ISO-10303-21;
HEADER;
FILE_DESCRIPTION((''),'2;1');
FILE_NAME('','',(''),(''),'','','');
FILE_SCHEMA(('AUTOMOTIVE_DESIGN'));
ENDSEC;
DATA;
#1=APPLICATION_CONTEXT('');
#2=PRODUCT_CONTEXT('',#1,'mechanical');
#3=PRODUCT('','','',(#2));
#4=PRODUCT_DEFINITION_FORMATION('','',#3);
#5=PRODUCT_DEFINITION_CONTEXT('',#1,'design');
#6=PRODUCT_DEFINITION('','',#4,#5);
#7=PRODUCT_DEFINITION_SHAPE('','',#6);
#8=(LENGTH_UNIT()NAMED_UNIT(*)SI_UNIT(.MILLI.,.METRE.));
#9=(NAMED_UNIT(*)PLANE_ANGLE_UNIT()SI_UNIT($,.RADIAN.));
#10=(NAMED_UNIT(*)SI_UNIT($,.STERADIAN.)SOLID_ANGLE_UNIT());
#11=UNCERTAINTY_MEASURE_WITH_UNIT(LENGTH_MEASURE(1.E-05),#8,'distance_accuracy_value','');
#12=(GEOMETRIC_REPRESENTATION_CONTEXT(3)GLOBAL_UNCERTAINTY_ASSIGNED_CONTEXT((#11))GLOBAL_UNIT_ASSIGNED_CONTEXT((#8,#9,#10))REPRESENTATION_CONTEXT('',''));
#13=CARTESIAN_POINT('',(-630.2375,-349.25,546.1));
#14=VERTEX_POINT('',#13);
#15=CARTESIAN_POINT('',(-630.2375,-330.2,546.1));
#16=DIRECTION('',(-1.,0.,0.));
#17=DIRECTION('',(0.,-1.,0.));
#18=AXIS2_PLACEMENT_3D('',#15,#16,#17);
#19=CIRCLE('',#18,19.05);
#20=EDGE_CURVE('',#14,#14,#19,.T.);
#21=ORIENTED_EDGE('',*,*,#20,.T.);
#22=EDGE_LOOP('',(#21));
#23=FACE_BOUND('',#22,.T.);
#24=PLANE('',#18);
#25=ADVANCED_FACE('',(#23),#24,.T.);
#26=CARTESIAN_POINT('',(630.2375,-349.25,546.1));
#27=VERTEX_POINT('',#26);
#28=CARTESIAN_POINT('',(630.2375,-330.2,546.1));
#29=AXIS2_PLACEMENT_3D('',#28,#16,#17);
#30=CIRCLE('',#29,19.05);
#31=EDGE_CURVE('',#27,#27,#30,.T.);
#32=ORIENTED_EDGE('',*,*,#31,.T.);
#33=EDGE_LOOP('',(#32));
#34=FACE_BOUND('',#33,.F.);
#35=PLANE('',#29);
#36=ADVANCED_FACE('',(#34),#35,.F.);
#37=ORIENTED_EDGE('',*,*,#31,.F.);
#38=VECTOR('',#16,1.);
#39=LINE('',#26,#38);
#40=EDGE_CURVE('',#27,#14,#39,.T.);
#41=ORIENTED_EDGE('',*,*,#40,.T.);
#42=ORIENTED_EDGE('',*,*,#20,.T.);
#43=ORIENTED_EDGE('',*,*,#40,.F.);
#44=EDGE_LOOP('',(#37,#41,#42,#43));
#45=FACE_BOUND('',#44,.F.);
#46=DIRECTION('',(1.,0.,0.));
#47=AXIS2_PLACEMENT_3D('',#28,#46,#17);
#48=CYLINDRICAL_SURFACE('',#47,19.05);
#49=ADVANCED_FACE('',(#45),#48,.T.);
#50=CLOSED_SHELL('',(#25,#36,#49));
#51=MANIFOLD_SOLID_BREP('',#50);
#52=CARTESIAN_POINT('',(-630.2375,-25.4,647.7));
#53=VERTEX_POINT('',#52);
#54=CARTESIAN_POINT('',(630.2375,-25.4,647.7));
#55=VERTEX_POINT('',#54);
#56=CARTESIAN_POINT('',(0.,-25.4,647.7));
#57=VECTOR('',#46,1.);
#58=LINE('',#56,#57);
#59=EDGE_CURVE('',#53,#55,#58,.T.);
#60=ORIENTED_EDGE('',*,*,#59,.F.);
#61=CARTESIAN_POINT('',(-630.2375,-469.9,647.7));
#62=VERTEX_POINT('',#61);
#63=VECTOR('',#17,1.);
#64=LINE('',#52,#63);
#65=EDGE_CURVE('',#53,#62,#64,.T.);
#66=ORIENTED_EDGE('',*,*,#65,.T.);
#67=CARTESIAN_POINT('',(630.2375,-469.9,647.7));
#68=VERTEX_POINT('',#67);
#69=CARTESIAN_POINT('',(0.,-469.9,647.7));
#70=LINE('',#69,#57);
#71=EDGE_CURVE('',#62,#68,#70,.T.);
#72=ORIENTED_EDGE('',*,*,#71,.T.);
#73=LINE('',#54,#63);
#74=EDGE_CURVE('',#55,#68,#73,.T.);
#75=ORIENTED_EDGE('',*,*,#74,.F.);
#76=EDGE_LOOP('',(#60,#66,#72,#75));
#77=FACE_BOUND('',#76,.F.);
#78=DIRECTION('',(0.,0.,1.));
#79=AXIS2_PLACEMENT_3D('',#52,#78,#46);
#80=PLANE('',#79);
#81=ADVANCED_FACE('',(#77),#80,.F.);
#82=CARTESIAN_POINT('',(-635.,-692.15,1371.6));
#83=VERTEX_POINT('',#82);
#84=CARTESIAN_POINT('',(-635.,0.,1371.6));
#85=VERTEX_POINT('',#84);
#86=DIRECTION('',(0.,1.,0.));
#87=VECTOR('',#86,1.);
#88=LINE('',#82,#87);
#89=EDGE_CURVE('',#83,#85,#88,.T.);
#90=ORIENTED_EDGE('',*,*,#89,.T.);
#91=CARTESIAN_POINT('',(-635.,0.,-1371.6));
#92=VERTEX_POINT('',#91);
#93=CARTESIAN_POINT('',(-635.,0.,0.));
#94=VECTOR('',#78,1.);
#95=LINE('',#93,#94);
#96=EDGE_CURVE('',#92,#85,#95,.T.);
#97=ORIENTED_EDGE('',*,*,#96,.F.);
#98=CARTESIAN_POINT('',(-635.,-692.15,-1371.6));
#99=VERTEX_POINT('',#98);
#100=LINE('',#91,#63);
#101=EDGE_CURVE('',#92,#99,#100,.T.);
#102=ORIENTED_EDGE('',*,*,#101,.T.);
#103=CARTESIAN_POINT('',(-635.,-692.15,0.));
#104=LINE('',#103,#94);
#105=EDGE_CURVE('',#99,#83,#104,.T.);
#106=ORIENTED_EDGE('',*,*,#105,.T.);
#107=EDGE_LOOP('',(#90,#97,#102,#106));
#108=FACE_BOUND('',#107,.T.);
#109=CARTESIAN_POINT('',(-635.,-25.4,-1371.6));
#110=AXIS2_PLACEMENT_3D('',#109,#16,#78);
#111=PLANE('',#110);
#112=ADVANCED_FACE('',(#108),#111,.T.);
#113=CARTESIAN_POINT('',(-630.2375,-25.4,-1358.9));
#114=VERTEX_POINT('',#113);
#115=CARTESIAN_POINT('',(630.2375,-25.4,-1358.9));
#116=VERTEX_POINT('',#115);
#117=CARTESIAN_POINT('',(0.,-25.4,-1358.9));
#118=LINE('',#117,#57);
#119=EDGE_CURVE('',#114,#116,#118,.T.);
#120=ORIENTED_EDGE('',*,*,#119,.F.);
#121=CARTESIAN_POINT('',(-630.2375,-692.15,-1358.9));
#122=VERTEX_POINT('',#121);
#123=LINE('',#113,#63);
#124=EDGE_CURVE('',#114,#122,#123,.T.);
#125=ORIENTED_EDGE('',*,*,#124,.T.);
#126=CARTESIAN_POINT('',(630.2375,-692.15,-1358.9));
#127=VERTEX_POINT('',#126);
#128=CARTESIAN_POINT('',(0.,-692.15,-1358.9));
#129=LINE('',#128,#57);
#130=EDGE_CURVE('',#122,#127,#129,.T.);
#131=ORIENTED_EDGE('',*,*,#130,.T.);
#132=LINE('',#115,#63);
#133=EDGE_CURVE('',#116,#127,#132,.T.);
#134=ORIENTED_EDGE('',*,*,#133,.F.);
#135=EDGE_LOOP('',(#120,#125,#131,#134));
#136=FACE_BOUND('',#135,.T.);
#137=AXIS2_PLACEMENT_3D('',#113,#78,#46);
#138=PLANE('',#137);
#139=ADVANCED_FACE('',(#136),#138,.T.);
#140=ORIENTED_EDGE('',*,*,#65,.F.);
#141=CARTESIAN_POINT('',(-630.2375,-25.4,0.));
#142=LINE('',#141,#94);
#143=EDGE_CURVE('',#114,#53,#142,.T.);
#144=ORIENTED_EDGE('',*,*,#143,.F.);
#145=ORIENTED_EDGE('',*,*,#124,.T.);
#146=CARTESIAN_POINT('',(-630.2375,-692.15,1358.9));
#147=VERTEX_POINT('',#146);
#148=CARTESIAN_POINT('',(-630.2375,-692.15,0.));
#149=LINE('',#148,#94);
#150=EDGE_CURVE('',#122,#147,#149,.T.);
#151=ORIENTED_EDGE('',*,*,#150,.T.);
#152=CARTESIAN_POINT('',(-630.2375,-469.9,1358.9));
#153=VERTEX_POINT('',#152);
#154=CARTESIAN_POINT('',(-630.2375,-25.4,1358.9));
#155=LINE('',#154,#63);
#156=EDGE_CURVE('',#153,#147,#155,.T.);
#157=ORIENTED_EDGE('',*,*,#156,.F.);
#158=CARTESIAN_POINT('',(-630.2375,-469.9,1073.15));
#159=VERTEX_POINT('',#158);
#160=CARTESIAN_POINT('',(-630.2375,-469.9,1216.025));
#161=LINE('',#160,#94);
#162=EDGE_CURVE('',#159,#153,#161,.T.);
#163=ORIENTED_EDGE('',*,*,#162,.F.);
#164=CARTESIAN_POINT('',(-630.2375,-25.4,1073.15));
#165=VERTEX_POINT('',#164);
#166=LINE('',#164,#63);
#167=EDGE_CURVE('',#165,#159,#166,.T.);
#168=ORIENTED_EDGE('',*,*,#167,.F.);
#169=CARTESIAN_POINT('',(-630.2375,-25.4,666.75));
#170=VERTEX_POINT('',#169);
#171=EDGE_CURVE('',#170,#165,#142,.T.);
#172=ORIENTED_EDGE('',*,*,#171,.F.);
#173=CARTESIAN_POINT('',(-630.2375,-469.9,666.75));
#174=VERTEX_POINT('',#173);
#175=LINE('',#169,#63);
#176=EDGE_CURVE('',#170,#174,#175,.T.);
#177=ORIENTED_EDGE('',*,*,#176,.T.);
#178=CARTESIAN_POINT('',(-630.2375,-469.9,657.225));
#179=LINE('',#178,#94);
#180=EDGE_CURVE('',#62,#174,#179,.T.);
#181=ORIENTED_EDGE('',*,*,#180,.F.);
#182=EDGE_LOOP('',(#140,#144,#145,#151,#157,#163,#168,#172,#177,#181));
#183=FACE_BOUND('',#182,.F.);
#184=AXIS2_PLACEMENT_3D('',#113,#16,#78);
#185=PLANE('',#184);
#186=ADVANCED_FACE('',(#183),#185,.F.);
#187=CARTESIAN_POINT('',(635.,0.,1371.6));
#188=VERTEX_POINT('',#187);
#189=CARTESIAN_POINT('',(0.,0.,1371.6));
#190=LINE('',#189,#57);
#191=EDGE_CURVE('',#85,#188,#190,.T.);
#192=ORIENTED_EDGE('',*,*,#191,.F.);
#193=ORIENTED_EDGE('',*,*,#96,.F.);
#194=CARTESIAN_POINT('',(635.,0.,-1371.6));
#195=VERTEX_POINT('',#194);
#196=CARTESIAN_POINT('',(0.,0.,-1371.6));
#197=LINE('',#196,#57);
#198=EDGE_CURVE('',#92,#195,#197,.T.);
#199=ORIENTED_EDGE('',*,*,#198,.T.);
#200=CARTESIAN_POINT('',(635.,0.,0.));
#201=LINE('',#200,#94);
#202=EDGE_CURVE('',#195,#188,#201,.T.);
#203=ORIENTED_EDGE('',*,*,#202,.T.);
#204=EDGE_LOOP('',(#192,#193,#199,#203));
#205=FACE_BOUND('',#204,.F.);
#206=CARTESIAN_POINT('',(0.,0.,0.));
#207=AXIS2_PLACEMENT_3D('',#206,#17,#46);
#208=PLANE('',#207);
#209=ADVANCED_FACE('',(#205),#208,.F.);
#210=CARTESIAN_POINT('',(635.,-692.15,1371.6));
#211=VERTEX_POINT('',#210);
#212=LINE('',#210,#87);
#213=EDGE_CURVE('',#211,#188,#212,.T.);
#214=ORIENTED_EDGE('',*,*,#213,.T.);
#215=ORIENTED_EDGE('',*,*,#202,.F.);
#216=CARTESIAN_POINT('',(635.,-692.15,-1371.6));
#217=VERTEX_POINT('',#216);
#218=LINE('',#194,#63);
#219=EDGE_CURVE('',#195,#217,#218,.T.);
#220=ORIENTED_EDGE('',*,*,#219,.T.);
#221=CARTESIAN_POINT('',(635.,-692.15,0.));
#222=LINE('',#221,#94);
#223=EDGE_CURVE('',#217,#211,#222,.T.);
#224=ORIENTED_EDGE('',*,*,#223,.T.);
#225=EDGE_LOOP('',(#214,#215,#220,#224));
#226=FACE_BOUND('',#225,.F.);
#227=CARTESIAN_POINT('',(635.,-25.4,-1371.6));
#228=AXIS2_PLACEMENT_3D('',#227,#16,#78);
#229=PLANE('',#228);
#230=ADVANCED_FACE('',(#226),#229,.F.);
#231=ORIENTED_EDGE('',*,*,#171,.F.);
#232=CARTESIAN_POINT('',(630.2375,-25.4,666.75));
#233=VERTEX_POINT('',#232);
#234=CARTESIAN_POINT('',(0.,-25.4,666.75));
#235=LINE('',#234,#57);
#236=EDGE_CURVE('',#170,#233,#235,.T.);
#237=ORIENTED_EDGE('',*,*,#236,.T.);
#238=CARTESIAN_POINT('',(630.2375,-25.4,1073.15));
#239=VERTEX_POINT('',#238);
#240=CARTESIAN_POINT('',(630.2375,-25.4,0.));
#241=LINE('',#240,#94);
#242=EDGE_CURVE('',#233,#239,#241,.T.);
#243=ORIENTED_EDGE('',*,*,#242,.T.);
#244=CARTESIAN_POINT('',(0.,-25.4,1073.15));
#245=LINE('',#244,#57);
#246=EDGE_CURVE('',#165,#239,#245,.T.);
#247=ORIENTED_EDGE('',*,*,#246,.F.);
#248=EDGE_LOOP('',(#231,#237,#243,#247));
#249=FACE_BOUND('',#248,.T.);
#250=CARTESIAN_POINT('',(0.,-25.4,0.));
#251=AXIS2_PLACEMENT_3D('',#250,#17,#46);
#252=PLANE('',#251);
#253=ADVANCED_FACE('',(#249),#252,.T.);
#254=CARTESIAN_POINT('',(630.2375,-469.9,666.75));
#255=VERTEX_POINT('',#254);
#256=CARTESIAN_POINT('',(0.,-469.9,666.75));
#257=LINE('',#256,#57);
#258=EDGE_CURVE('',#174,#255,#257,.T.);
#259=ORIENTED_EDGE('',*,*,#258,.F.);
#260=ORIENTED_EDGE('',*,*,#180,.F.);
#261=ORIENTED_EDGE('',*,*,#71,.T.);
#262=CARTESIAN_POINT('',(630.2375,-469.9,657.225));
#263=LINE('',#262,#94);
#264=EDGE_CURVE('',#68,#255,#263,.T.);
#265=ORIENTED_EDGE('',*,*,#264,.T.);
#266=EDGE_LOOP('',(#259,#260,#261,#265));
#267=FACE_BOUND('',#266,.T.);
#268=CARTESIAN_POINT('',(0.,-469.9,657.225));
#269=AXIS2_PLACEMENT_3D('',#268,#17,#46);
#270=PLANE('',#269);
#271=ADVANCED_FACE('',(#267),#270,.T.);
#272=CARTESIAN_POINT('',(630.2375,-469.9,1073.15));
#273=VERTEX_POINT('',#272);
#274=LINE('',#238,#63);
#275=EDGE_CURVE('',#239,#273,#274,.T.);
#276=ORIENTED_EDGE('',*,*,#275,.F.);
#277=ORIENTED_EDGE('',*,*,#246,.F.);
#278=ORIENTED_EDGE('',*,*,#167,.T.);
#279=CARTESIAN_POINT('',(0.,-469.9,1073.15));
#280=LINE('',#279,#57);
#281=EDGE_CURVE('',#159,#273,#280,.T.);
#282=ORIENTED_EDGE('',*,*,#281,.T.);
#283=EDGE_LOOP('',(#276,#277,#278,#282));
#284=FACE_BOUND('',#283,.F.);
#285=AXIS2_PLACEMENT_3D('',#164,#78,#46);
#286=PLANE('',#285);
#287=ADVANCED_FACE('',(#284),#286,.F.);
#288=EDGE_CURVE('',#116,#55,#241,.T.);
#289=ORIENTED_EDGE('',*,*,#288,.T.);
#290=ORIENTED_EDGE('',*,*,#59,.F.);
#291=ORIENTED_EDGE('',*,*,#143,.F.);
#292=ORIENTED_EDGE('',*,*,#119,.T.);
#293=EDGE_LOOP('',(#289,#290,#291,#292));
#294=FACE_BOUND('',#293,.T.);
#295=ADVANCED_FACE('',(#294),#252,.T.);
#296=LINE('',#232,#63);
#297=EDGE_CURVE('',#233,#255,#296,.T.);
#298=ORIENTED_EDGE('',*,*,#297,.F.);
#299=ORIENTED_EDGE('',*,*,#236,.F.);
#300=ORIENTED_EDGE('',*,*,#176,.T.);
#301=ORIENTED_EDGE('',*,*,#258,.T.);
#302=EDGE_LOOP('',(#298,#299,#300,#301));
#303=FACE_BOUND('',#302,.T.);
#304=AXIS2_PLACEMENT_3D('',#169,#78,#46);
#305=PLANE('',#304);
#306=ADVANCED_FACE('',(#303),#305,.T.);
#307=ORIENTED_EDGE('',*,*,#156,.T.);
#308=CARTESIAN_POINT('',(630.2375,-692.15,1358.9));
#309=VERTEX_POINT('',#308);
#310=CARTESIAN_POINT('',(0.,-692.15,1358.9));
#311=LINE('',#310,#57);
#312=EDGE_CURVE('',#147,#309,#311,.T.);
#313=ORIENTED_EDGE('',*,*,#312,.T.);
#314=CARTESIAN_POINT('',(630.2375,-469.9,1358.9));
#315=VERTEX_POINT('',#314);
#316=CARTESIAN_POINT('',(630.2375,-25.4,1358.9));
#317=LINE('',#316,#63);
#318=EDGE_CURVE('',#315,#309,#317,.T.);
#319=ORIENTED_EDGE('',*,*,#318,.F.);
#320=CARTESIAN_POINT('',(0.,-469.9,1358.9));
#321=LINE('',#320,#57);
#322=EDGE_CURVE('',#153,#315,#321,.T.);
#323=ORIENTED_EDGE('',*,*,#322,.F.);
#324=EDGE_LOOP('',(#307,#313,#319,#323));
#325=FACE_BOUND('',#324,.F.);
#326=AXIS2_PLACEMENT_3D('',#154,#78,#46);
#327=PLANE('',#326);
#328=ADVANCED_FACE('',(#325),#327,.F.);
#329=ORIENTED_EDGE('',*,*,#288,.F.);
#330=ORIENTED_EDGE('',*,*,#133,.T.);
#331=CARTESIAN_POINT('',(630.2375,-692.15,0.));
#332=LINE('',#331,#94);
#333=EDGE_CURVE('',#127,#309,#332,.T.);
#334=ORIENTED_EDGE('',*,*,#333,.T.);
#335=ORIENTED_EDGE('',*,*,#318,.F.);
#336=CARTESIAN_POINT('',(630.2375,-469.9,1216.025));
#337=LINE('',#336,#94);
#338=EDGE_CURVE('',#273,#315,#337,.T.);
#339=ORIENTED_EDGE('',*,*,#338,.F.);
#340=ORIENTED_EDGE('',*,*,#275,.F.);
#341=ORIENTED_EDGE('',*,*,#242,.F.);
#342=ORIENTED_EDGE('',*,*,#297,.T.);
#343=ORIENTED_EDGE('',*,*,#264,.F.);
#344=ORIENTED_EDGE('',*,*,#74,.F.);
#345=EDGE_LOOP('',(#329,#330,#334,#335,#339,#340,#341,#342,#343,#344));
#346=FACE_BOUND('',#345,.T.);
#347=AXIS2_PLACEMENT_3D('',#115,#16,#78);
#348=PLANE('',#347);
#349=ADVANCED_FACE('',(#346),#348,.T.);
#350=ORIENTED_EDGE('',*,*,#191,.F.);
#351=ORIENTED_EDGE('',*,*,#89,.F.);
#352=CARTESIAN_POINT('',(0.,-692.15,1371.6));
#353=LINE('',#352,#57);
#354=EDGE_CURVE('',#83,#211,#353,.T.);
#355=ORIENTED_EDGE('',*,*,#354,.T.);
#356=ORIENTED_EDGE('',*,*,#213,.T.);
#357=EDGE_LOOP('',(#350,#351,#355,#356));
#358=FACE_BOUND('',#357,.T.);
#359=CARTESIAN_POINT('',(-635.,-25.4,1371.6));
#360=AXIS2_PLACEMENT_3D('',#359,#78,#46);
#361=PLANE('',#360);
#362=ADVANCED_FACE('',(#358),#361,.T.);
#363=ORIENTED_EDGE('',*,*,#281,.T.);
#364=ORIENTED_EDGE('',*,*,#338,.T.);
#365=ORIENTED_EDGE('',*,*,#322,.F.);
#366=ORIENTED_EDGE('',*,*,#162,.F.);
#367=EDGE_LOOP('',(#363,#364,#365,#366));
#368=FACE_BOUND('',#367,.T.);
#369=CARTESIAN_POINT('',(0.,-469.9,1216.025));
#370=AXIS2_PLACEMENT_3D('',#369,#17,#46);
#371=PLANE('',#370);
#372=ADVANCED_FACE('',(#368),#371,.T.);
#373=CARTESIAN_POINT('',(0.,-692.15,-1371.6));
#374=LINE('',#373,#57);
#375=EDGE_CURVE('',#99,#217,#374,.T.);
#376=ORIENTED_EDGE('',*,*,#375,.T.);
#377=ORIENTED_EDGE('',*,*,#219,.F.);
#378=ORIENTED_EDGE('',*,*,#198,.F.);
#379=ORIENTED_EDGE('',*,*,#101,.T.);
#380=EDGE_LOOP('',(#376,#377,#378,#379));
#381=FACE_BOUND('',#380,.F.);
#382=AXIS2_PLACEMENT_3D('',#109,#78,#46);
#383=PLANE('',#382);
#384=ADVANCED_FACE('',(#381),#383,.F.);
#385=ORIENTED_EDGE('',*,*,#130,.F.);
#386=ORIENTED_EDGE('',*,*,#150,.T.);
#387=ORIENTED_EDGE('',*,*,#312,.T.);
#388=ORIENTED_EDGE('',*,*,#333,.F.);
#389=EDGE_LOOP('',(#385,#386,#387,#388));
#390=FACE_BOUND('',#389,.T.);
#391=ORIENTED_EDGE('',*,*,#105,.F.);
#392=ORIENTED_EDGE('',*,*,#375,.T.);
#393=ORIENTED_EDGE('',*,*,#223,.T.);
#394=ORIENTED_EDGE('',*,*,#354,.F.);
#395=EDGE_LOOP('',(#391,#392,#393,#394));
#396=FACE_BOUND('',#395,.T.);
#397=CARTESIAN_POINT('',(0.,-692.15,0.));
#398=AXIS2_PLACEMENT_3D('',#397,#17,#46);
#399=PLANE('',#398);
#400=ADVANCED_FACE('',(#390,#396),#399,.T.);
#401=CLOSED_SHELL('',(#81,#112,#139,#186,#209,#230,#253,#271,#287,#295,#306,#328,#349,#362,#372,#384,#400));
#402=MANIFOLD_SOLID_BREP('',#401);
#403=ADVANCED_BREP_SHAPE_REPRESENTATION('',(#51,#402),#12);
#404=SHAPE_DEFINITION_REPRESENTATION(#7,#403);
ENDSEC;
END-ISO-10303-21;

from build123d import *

# Parameters (mm, degrees)
F0_W     = 1270
F0_H     = 2743.2
F1_DEPTH = 25.4
F2_W     = 1270
F2_H     = 2743.2
F2_W_2   = 1260.475
F2_H_2   = 2717.8
F3_DEPTH = 666.75
F4_W     = 1260.475
F4_H     = 285.75
F4_H_2   = 19.05
F5_DEPTH = 444.5
F6_R     = 19.05
F7_DEPTH = 1260.475


with BuildPart() as f1:
    # F0 (on Front) → F1 (new body)
    with BuildSketch(Plane.XZ):
        Rectangle(F0_W, F0_H)
    extrude(amount=F1_DEPTH)

    # F2 (on face) → F3 (join)
    with BuildSketch(Plane.XZ.offset(25.4)):
        Rectangle(F2_W, F2_H)
        Rectangle(F2_W_2, F2_H_2, mode=Mode.SUBTRACT)
    extrude(amount=F3_DEPTH)

    # F4 (on face) → F5 (join)
    with BuildSketch(Plane.XZ.offset(25.4)):
        with Locations((0, 1216.025)):
            Rectangle(F4_W, F4_H)
        with Locations((0, 657.225)):
            Rectangle(F4_W, F4_H_2)
    extrude(amount=F5_DEPTH)


with BuildPart() as f7:
    # F6 (on face) → F7 (new body, through all)
    with BuildSketch(Plane(origin=(630.2375, 0, 0), x_dir=(0, -1, 0), z_dir=(-1, 0, 0))):
        with Locations((330.2, 546.1)):
            Circle(F6_R)
    extrude(amount=F7_DEPTH)


solid = Compound([f1.part, f7.part])
